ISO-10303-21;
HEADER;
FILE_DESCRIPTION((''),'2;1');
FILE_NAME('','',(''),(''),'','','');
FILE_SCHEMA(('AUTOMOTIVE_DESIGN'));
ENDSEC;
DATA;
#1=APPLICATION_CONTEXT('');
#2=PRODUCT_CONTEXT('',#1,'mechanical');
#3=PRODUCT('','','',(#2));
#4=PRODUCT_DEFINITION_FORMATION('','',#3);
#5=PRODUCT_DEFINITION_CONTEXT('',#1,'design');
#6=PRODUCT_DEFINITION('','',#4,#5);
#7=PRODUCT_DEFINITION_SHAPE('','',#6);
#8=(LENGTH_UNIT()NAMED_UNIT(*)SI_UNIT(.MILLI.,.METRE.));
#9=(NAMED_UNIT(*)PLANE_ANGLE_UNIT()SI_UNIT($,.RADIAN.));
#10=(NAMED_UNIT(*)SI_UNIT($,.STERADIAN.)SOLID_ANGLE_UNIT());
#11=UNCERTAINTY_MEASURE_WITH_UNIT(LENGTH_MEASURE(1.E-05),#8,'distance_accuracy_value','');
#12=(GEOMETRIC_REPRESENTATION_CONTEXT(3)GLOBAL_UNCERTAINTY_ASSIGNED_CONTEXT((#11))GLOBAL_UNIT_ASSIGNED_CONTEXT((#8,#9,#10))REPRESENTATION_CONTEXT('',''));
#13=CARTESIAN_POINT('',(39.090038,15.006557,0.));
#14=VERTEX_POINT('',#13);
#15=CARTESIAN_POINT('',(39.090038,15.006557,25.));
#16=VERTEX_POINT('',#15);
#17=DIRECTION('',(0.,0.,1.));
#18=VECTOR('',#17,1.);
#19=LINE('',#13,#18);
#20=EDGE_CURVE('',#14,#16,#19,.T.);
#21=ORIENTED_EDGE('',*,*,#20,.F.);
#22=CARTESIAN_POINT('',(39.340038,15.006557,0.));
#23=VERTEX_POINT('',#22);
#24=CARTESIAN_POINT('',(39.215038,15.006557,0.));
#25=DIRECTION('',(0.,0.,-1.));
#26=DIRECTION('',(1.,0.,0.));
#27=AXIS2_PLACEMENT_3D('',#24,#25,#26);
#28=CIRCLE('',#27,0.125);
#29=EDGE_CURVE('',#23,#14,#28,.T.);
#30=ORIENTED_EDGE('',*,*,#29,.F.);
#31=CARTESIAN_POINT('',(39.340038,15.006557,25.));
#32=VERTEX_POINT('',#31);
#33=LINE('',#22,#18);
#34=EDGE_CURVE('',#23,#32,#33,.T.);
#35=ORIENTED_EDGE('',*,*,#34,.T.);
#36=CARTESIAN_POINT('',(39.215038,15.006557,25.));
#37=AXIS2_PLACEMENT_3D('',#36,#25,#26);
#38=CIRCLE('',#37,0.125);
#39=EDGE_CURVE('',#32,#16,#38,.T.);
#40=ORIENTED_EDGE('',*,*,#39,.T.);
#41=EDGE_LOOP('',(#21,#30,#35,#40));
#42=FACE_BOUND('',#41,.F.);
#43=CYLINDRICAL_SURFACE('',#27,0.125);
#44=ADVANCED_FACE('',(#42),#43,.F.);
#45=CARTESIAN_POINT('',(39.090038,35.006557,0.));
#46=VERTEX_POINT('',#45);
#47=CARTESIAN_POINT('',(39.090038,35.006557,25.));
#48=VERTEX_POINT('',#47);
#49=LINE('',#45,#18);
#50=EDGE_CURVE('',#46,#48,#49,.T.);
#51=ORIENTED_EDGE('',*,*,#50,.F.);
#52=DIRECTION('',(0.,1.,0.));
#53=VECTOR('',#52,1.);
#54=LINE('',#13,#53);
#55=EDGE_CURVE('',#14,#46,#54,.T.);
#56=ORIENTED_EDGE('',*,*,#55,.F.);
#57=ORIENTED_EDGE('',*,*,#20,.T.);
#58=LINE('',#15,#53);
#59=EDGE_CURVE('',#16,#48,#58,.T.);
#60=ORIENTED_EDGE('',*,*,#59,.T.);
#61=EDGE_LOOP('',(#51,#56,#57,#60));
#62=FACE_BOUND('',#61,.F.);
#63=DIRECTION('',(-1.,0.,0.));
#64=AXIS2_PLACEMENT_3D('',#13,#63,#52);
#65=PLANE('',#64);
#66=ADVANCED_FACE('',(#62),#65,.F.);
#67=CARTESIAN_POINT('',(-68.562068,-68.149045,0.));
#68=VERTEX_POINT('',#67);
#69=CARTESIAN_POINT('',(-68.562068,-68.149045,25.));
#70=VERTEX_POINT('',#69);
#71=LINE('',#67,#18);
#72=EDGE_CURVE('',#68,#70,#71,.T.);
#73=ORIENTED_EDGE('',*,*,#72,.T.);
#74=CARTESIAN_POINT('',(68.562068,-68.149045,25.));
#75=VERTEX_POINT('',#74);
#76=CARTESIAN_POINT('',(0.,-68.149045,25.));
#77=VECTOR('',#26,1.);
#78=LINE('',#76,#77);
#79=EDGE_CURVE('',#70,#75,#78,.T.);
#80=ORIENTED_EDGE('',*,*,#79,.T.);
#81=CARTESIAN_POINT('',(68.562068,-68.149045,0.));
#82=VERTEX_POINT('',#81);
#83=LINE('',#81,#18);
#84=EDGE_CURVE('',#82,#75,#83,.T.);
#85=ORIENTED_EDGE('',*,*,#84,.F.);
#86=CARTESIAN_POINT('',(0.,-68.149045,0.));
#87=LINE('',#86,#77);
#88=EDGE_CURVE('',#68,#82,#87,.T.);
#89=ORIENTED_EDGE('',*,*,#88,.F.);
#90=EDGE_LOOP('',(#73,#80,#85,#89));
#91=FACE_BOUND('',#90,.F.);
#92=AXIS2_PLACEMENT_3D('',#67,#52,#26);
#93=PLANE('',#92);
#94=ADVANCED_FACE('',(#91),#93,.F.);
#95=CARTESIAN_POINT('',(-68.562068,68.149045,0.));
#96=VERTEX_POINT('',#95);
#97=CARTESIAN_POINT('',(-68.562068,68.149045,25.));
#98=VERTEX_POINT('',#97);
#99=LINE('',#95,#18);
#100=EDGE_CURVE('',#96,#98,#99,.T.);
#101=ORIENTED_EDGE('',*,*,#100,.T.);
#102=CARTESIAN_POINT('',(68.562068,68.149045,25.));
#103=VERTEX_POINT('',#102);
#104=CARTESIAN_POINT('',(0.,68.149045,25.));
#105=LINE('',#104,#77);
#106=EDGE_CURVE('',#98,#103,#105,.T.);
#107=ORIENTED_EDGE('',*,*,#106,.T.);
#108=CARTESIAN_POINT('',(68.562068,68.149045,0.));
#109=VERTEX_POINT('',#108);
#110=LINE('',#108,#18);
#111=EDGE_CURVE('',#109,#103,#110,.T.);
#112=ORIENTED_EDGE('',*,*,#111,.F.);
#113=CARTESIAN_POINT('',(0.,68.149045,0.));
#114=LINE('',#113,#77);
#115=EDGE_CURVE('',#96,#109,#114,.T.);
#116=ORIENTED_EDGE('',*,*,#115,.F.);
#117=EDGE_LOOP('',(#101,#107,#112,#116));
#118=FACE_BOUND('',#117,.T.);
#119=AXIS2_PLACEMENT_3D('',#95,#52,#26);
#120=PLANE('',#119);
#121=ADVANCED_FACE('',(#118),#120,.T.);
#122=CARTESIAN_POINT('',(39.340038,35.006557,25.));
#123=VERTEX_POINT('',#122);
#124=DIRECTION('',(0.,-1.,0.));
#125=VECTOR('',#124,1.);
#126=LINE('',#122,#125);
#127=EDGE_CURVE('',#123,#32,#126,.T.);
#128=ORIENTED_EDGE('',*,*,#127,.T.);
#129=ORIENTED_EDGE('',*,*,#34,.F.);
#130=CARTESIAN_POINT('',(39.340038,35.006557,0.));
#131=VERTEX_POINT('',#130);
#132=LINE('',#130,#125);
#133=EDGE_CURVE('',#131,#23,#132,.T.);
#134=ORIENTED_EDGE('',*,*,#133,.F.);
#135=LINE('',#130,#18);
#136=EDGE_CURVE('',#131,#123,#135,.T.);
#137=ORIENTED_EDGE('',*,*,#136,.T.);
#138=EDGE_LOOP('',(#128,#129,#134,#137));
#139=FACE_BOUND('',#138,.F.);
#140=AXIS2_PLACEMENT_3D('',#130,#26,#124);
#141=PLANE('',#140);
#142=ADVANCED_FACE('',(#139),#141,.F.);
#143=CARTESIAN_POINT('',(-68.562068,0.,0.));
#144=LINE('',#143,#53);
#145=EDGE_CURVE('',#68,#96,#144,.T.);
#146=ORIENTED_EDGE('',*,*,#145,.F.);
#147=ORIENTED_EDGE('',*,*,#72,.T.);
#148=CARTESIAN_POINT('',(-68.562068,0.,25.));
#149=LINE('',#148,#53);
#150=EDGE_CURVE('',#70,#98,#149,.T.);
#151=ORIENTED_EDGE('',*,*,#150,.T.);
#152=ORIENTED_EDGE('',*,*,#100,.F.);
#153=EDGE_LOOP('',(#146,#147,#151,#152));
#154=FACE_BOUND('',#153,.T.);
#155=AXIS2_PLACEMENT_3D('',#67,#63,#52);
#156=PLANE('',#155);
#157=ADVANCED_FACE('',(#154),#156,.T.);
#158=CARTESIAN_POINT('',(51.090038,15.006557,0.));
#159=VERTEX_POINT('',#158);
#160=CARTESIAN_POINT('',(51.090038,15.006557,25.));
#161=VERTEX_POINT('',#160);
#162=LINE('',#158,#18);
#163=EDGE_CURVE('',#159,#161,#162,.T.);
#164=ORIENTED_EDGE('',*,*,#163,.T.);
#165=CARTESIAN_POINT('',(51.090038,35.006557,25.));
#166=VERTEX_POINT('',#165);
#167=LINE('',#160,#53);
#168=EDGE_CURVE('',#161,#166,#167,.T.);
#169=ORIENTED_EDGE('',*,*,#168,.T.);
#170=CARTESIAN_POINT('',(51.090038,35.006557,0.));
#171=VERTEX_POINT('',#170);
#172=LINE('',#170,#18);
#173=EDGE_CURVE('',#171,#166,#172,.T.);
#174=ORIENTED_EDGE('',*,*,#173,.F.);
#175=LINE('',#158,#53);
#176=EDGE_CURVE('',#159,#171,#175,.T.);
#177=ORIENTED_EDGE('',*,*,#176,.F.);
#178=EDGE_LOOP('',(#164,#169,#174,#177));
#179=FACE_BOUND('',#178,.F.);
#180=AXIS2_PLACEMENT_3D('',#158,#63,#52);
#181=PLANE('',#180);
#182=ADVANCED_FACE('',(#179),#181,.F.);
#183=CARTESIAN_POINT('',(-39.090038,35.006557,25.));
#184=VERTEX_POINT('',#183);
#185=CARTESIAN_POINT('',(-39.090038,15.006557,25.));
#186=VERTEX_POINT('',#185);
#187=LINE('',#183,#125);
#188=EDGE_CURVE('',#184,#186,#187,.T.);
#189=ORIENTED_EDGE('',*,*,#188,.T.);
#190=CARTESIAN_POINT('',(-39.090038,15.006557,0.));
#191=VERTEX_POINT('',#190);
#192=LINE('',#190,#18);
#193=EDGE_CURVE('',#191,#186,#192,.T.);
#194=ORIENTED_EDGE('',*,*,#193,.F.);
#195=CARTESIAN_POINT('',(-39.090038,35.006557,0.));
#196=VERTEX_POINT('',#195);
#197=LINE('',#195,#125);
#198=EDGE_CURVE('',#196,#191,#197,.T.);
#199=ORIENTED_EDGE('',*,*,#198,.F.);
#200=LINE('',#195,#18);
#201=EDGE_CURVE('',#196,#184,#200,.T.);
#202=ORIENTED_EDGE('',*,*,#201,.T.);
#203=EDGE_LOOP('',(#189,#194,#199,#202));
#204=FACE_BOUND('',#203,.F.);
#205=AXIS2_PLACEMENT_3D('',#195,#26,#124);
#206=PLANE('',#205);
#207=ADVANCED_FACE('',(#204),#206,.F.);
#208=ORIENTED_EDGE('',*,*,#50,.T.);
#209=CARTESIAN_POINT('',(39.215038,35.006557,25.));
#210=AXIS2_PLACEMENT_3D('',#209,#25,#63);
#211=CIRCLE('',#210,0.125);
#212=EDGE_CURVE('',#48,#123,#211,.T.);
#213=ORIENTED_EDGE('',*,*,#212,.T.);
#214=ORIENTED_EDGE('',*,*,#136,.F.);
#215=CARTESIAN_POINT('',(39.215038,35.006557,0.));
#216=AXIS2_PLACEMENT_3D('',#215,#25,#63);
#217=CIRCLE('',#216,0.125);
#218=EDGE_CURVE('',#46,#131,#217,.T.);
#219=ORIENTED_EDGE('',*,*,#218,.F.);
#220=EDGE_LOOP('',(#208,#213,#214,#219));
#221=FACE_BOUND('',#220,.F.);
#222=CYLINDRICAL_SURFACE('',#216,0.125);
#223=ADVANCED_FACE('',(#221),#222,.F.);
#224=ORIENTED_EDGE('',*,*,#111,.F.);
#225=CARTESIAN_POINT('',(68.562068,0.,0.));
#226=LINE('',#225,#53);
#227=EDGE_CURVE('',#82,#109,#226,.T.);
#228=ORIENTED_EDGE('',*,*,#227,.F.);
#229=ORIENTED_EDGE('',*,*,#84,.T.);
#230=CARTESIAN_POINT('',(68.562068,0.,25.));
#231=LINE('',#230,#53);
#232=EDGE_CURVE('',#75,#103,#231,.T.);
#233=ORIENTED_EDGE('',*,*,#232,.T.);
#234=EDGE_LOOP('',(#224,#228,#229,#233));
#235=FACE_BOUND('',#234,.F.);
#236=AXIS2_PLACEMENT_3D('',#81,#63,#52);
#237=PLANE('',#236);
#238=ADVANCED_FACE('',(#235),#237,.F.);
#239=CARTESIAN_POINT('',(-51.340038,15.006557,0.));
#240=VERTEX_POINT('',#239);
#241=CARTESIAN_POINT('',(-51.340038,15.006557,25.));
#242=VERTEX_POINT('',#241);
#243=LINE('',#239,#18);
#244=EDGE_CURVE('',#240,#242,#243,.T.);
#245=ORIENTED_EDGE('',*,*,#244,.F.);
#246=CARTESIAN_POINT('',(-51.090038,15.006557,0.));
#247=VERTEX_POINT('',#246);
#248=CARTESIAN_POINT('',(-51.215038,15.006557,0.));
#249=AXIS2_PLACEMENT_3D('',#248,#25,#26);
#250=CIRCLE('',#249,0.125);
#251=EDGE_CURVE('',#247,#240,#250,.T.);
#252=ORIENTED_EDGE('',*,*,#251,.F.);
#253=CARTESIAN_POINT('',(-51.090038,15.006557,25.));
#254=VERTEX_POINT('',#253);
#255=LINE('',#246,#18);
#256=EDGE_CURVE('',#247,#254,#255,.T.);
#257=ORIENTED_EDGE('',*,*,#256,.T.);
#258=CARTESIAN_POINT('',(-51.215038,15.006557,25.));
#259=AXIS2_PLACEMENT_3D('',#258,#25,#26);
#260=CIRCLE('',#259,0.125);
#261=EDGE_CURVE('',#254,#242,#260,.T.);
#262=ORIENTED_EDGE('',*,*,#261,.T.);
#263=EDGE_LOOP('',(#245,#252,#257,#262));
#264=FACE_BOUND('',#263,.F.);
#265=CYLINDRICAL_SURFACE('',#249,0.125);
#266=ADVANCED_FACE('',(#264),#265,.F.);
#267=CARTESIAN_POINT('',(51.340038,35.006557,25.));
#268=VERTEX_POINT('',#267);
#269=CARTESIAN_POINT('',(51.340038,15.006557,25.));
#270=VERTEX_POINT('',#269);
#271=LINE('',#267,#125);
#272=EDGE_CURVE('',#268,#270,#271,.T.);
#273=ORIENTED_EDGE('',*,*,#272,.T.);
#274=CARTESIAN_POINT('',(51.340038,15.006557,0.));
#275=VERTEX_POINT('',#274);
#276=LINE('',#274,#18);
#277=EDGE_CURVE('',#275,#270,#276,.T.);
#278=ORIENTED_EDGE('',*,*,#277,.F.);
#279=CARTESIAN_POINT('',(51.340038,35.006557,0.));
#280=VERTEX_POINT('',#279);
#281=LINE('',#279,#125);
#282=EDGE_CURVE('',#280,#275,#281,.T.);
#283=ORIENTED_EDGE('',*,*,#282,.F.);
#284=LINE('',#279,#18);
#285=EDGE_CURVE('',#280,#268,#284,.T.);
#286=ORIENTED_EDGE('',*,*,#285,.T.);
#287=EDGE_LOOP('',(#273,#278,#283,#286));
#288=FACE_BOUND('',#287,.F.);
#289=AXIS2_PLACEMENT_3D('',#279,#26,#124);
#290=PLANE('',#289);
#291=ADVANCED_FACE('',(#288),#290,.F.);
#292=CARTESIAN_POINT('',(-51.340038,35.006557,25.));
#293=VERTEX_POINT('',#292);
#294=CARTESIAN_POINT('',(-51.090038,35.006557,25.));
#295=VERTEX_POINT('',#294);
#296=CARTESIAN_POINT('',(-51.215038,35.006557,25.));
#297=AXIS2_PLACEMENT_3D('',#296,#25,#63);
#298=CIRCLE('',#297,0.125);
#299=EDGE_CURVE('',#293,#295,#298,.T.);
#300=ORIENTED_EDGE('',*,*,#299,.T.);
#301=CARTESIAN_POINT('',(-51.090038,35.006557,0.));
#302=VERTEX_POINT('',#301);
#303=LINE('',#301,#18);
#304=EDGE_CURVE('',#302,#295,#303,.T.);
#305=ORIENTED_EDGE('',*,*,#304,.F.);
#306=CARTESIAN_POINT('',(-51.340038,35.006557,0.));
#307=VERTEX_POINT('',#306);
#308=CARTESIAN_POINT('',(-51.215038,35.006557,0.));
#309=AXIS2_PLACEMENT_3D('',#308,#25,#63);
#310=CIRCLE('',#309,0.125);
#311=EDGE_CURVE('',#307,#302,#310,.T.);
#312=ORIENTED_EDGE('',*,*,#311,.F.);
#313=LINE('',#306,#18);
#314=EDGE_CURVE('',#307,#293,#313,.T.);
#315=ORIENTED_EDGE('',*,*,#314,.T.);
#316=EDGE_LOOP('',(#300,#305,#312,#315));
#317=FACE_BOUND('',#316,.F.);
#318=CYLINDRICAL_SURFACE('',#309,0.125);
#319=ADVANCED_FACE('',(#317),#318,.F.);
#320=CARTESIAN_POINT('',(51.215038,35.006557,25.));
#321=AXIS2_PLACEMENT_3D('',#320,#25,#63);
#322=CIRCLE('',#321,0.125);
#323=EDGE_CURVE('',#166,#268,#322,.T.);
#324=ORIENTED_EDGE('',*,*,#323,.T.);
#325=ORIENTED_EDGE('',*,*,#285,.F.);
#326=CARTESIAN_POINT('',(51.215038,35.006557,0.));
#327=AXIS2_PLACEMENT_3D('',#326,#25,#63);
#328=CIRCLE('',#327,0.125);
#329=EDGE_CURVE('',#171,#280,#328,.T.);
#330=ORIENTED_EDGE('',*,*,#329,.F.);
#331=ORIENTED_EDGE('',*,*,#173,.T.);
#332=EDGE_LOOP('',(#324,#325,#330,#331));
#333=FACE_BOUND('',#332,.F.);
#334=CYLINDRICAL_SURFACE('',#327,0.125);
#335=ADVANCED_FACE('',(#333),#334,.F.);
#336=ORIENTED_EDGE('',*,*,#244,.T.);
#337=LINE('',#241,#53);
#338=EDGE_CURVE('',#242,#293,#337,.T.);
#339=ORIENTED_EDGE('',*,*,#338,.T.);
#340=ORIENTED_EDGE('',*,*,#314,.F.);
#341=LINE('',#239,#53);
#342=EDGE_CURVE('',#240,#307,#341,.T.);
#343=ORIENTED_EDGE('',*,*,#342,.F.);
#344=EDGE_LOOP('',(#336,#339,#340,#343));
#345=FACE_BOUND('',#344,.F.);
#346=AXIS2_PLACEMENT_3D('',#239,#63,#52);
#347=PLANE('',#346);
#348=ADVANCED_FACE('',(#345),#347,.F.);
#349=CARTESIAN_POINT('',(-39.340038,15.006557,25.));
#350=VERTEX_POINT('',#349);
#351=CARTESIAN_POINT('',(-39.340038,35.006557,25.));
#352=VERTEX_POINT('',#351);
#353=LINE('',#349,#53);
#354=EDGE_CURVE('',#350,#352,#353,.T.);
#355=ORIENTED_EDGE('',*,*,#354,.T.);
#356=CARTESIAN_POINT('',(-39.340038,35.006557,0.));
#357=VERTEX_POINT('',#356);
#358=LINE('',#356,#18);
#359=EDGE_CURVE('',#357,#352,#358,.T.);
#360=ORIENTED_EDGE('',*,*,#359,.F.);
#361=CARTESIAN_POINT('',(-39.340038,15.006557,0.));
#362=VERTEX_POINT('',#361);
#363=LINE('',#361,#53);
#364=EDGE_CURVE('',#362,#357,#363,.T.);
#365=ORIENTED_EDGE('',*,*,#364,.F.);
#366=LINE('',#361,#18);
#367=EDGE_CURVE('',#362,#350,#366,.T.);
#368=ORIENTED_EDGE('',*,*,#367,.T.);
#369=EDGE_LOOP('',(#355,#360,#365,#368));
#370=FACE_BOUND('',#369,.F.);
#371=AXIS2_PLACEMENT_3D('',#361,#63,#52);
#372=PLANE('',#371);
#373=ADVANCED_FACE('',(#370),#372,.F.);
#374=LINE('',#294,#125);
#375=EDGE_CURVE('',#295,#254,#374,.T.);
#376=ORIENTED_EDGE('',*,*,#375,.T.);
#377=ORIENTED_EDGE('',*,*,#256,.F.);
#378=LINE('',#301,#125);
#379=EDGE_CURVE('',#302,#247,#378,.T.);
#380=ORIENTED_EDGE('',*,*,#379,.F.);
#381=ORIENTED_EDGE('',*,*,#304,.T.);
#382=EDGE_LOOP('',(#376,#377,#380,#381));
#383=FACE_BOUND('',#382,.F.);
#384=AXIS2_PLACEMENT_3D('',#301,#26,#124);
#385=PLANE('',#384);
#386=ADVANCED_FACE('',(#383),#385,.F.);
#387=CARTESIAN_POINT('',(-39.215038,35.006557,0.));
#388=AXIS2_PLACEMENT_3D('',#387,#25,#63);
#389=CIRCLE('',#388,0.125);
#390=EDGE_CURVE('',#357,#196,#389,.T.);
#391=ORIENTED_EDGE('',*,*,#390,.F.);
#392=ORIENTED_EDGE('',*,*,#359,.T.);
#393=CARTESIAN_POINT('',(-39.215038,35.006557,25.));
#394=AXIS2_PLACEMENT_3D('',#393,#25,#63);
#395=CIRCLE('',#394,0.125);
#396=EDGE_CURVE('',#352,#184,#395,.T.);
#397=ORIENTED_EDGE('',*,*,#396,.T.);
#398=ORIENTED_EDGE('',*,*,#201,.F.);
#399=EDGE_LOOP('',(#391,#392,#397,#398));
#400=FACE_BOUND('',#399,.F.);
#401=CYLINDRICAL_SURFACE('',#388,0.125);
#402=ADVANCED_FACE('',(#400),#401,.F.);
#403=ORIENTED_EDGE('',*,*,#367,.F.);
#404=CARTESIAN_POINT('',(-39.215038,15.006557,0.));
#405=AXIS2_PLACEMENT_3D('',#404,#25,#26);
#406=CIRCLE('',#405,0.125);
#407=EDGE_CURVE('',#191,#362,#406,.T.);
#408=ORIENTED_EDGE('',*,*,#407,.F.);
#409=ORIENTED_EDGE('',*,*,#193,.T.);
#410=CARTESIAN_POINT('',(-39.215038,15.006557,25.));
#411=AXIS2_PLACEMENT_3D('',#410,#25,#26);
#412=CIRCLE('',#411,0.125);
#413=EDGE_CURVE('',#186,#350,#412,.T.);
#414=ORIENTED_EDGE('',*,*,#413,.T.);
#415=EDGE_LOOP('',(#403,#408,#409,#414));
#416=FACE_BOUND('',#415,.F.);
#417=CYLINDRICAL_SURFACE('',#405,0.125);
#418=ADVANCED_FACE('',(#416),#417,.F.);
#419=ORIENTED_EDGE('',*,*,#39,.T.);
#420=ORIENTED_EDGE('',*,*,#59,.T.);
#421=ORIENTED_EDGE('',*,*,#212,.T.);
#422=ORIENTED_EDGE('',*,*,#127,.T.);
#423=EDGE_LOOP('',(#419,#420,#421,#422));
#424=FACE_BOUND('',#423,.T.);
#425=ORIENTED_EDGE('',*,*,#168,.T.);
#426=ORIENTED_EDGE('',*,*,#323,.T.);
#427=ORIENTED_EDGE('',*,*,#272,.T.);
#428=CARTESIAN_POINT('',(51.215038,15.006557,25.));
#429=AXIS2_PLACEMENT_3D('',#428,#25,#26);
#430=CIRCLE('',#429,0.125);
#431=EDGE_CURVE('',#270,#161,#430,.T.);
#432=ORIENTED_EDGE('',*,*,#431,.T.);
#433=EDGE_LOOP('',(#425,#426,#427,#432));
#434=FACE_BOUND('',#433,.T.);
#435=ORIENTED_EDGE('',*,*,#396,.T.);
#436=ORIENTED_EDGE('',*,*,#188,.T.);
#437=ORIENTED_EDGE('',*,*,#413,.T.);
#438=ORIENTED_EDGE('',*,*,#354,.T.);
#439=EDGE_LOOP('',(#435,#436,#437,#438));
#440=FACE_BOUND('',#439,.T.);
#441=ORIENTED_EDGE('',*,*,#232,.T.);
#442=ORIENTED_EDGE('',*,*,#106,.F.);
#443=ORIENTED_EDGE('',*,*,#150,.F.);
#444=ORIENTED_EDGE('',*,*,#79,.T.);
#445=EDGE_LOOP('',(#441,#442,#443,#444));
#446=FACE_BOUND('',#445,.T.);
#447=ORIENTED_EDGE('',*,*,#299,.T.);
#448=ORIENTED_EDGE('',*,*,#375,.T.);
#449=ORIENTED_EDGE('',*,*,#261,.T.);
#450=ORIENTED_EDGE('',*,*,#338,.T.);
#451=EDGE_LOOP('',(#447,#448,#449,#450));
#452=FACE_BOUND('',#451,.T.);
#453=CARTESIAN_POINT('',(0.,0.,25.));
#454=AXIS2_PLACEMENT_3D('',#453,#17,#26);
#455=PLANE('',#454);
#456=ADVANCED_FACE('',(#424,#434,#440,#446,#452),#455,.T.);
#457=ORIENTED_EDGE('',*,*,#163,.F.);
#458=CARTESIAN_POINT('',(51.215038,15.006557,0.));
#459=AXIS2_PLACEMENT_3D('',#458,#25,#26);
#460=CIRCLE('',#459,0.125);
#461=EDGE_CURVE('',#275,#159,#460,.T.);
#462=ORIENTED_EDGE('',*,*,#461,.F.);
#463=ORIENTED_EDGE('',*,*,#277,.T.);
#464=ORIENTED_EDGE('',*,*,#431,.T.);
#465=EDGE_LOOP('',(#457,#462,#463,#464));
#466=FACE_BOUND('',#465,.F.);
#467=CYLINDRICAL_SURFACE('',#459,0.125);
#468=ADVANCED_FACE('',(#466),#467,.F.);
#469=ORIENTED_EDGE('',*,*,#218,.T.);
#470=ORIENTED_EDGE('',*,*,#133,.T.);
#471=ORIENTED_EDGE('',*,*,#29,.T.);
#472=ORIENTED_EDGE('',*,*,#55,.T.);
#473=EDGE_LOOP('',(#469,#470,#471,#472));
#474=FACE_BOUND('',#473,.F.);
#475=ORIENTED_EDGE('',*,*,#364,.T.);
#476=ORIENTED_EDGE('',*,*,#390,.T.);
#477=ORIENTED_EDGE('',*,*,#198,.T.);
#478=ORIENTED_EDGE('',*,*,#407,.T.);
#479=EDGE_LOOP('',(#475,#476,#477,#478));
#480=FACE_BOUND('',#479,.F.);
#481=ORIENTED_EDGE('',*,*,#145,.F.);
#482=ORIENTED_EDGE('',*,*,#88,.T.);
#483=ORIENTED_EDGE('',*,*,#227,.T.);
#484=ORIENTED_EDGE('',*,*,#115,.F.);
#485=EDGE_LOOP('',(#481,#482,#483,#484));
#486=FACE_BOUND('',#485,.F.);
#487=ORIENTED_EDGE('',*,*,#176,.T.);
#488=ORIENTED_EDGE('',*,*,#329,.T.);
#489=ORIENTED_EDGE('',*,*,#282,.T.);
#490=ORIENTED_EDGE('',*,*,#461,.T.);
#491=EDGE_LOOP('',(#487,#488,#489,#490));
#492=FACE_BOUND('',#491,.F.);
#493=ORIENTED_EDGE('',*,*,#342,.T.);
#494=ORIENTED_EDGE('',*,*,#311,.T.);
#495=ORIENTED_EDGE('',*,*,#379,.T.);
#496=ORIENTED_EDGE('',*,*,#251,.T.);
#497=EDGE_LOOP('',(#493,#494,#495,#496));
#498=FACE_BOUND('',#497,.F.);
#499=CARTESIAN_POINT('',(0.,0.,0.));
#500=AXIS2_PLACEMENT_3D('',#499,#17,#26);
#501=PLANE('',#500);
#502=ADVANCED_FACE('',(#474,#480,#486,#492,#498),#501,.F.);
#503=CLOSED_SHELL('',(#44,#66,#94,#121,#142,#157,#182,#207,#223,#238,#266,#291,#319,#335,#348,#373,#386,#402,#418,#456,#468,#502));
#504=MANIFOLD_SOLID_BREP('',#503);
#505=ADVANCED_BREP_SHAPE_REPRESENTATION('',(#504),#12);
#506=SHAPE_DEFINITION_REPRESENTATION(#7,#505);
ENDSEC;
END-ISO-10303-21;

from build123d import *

# Parameters (mm, degrees)
F0_W     = 137.1241360903
F0_H     = 136.2980902195
F1_DEPTH = 25


with BuildPart() as f1:
    # F0 (on Top) → F1 (new body)
    with BuildSketch(Plane.XY):
        Rectangle(F0_W, F0_H)
        with BuildLine():
            Line((-51.3400377035, 15.006557107), (-51.3400377035, 35.006557107))
            ThreePointArc((-51.3400377035, 35.006557107), (-51.2150377035, 35.131557107), (-51.0900377035, 35.006557107))
            Line((-51.0900377035, 35.006557107), (-51.0900377035, 15.006557107))
            ThreePointArc((-51.0900377035, 15.006557107), (-51.2150377035, 14.881557107), (-51.3400377035, 15.006557107))
        make_face(mode=Mode.SUBTRACT)
        with BuildLine():
            Line((-39.3400377035, 15.006557107), (-39.3400377035, 35.006557107))
            ThreePointArc((-39.3400377035, 35.006557107), (-39.2150377035, 35.131557107), (-39.0900377035, 35.006557107))
            Line((-39.0900377035, 35.006557107), (-39.0900377035, 15.006557107))
            ThreePointArc((-39.0900377035, 15.006557107), (-39.2150377035, 14.881557107), (-39.3400377035, 15.006557107))
        make_face(mode=Mode.SUBTRACT)
        with BuildLine():
            ThreePointArc((39.0900377035, 35.006557107), (39.2150377035, 35.131557107), (39.3400377035, 35.006557107))
            Line((39.3400377035, 35.006557107), (39.3400377035, 15.006557107))
            ThreePointArc((39.3400377035, 15.006557107), (39.2150377035, 14.881557107), (39.0900377035, 15.006557107))
            Line((39.0900377035, 15.006557107), (39.0900377035, 35.006557107))
        make_face(mode=Mode.SUBTRACT)
        with BuildLine():
            ThreePointArc((51.3400377035, 15.006557107), (51.2150377035, 14.881557107), (51.0900377035, 15.006557107))
            Line((51.0900377035, 15.006557107), (51.0900377035, 35.006557107))
            ThreePointArc((51.0900377035, 35.006557107), (51.2150377035, 35.131557107), (51.3400377035, 35.006557107))
            Line((51.3400377035, 35.006557107), (51.3400377035, 15.006557107))
        make_face(mode=Mode.SUBTRACT)
    extrude(amount=F1_DEPTH)


solid = f1.part
